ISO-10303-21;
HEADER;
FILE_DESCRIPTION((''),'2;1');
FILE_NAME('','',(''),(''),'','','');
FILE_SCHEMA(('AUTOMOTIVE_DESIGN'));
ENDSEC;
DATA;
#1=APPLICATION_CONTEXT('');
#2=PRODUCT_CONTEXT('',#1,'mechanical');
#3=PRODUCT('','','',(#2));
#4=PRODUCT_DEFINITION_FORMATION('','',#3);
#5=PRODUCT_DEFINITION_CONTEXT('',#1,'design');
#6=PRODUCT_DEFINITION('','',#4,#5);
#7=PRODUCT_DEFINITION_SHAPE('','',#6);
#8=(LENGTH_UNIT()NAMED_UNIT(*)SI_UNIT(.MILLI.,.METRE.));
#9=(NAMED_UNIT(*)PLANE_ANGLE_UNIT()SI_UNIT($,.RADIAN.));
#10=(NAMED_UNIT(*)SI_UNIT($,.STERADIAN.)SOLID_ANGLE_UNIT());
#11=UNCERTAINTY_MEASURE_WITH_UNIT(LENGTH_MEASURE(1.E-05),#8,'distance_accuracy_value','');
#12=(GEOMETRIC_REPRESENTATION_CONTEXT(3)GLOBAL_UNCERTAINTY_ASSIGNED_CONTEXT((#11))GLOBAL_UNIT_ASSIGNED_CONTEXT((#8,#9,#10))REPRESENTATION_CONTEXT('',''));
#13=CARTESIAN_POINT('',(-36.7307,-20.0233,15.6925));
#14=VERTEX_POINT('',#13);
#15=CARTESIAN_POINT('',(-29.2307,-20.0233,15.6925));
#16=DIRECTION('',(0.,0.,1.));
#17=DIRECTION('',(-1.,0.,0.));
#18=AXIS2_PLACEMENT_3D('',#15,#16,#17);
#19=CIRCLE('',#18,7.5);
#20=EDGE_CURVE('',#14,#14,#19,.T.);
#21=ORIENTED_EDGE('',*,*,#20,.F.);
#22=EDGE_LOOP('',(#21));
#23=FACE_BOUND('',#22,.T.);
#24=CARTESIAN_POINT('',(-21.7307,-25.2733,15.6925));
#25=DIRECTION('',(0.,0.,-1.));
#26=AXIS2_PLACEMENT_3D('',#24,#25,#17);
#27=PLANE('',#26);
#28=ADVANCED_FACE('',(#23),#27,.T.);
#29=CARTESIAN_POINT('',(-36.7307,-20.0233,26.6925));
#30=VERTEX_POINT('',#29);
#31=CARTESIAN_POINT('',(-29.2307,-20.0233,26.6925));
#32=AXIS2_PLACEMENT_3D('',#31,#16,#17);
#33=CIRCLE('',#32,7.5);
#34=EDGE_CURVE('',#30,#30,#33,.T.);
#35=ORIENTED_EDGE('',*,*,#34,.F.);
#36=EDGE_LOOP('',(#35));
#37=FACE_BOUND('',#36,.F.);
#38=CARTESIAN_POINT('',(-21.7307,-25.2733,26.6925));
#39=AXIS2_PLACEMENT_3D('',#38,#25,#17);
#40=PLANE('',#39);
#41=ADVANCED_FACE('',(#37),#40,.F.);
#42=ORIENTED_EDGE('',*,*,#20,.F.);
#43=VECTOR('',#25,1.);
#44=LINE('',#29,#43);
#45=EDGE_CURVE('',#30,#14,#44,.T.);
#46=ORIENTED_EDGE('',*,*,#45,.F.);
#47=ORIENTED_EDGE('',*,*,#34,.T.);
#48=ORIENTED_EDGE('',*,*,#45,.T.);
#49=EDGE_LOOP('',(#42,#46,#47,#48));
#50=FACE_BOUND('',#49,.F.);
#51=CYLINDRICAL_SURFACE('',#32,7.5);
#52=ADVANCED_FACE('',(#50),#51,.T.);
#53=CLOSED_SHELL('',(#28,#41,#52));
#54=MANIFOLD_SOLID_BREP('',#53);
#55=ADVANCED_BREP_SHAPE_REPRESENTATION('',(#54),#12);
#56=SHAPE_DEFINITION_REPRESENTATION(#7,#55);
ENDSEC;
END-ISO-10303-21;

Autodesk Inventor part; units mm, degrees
ref_plane "YZ Plane" through (0, 0, 0) normal (1, 0, 0) x (0, 1, 0)
ref_plane "XZ Plane" through (0, 0, 0) normal (0, 1, 0) x (-1, 0, 0)
ref_plane "XY Plane" through (0, 0, 0) normal (0, 0, 1) x (1, 0, 0)
ref_plane "Work Plane1" through (-21.7307, -25.2733, 26.6925) normal (0, 0, -1) x (-1, 0, 0)
sketch "Sketch1" plane through (-21.7307, -25.2733, 26.6925) normal (0, 0, -1) x (-1, 0, 0)
  circle A0 centre (7.5, 5.25) radius 1.5 projected
  line L0 (15, 0) -> (0, 0) projected
  line L1 (15, 0) -> (15, 5.25) projected
  arc A1 (15, 5.25) -> (0, 5.25) centre (7.5, 5.25) ccw projected
  line L2 (0, 0) -> (0, 5.25) projected
  circle A2 centre (7.5, 5.25) radius 7.5
  point P0 (-21.7307, 25.2733)
extrude "Extrusion1" add sketch "Sketch1" along normal blind 11 contours A0 | A2 L0 | L0 A2 A1
